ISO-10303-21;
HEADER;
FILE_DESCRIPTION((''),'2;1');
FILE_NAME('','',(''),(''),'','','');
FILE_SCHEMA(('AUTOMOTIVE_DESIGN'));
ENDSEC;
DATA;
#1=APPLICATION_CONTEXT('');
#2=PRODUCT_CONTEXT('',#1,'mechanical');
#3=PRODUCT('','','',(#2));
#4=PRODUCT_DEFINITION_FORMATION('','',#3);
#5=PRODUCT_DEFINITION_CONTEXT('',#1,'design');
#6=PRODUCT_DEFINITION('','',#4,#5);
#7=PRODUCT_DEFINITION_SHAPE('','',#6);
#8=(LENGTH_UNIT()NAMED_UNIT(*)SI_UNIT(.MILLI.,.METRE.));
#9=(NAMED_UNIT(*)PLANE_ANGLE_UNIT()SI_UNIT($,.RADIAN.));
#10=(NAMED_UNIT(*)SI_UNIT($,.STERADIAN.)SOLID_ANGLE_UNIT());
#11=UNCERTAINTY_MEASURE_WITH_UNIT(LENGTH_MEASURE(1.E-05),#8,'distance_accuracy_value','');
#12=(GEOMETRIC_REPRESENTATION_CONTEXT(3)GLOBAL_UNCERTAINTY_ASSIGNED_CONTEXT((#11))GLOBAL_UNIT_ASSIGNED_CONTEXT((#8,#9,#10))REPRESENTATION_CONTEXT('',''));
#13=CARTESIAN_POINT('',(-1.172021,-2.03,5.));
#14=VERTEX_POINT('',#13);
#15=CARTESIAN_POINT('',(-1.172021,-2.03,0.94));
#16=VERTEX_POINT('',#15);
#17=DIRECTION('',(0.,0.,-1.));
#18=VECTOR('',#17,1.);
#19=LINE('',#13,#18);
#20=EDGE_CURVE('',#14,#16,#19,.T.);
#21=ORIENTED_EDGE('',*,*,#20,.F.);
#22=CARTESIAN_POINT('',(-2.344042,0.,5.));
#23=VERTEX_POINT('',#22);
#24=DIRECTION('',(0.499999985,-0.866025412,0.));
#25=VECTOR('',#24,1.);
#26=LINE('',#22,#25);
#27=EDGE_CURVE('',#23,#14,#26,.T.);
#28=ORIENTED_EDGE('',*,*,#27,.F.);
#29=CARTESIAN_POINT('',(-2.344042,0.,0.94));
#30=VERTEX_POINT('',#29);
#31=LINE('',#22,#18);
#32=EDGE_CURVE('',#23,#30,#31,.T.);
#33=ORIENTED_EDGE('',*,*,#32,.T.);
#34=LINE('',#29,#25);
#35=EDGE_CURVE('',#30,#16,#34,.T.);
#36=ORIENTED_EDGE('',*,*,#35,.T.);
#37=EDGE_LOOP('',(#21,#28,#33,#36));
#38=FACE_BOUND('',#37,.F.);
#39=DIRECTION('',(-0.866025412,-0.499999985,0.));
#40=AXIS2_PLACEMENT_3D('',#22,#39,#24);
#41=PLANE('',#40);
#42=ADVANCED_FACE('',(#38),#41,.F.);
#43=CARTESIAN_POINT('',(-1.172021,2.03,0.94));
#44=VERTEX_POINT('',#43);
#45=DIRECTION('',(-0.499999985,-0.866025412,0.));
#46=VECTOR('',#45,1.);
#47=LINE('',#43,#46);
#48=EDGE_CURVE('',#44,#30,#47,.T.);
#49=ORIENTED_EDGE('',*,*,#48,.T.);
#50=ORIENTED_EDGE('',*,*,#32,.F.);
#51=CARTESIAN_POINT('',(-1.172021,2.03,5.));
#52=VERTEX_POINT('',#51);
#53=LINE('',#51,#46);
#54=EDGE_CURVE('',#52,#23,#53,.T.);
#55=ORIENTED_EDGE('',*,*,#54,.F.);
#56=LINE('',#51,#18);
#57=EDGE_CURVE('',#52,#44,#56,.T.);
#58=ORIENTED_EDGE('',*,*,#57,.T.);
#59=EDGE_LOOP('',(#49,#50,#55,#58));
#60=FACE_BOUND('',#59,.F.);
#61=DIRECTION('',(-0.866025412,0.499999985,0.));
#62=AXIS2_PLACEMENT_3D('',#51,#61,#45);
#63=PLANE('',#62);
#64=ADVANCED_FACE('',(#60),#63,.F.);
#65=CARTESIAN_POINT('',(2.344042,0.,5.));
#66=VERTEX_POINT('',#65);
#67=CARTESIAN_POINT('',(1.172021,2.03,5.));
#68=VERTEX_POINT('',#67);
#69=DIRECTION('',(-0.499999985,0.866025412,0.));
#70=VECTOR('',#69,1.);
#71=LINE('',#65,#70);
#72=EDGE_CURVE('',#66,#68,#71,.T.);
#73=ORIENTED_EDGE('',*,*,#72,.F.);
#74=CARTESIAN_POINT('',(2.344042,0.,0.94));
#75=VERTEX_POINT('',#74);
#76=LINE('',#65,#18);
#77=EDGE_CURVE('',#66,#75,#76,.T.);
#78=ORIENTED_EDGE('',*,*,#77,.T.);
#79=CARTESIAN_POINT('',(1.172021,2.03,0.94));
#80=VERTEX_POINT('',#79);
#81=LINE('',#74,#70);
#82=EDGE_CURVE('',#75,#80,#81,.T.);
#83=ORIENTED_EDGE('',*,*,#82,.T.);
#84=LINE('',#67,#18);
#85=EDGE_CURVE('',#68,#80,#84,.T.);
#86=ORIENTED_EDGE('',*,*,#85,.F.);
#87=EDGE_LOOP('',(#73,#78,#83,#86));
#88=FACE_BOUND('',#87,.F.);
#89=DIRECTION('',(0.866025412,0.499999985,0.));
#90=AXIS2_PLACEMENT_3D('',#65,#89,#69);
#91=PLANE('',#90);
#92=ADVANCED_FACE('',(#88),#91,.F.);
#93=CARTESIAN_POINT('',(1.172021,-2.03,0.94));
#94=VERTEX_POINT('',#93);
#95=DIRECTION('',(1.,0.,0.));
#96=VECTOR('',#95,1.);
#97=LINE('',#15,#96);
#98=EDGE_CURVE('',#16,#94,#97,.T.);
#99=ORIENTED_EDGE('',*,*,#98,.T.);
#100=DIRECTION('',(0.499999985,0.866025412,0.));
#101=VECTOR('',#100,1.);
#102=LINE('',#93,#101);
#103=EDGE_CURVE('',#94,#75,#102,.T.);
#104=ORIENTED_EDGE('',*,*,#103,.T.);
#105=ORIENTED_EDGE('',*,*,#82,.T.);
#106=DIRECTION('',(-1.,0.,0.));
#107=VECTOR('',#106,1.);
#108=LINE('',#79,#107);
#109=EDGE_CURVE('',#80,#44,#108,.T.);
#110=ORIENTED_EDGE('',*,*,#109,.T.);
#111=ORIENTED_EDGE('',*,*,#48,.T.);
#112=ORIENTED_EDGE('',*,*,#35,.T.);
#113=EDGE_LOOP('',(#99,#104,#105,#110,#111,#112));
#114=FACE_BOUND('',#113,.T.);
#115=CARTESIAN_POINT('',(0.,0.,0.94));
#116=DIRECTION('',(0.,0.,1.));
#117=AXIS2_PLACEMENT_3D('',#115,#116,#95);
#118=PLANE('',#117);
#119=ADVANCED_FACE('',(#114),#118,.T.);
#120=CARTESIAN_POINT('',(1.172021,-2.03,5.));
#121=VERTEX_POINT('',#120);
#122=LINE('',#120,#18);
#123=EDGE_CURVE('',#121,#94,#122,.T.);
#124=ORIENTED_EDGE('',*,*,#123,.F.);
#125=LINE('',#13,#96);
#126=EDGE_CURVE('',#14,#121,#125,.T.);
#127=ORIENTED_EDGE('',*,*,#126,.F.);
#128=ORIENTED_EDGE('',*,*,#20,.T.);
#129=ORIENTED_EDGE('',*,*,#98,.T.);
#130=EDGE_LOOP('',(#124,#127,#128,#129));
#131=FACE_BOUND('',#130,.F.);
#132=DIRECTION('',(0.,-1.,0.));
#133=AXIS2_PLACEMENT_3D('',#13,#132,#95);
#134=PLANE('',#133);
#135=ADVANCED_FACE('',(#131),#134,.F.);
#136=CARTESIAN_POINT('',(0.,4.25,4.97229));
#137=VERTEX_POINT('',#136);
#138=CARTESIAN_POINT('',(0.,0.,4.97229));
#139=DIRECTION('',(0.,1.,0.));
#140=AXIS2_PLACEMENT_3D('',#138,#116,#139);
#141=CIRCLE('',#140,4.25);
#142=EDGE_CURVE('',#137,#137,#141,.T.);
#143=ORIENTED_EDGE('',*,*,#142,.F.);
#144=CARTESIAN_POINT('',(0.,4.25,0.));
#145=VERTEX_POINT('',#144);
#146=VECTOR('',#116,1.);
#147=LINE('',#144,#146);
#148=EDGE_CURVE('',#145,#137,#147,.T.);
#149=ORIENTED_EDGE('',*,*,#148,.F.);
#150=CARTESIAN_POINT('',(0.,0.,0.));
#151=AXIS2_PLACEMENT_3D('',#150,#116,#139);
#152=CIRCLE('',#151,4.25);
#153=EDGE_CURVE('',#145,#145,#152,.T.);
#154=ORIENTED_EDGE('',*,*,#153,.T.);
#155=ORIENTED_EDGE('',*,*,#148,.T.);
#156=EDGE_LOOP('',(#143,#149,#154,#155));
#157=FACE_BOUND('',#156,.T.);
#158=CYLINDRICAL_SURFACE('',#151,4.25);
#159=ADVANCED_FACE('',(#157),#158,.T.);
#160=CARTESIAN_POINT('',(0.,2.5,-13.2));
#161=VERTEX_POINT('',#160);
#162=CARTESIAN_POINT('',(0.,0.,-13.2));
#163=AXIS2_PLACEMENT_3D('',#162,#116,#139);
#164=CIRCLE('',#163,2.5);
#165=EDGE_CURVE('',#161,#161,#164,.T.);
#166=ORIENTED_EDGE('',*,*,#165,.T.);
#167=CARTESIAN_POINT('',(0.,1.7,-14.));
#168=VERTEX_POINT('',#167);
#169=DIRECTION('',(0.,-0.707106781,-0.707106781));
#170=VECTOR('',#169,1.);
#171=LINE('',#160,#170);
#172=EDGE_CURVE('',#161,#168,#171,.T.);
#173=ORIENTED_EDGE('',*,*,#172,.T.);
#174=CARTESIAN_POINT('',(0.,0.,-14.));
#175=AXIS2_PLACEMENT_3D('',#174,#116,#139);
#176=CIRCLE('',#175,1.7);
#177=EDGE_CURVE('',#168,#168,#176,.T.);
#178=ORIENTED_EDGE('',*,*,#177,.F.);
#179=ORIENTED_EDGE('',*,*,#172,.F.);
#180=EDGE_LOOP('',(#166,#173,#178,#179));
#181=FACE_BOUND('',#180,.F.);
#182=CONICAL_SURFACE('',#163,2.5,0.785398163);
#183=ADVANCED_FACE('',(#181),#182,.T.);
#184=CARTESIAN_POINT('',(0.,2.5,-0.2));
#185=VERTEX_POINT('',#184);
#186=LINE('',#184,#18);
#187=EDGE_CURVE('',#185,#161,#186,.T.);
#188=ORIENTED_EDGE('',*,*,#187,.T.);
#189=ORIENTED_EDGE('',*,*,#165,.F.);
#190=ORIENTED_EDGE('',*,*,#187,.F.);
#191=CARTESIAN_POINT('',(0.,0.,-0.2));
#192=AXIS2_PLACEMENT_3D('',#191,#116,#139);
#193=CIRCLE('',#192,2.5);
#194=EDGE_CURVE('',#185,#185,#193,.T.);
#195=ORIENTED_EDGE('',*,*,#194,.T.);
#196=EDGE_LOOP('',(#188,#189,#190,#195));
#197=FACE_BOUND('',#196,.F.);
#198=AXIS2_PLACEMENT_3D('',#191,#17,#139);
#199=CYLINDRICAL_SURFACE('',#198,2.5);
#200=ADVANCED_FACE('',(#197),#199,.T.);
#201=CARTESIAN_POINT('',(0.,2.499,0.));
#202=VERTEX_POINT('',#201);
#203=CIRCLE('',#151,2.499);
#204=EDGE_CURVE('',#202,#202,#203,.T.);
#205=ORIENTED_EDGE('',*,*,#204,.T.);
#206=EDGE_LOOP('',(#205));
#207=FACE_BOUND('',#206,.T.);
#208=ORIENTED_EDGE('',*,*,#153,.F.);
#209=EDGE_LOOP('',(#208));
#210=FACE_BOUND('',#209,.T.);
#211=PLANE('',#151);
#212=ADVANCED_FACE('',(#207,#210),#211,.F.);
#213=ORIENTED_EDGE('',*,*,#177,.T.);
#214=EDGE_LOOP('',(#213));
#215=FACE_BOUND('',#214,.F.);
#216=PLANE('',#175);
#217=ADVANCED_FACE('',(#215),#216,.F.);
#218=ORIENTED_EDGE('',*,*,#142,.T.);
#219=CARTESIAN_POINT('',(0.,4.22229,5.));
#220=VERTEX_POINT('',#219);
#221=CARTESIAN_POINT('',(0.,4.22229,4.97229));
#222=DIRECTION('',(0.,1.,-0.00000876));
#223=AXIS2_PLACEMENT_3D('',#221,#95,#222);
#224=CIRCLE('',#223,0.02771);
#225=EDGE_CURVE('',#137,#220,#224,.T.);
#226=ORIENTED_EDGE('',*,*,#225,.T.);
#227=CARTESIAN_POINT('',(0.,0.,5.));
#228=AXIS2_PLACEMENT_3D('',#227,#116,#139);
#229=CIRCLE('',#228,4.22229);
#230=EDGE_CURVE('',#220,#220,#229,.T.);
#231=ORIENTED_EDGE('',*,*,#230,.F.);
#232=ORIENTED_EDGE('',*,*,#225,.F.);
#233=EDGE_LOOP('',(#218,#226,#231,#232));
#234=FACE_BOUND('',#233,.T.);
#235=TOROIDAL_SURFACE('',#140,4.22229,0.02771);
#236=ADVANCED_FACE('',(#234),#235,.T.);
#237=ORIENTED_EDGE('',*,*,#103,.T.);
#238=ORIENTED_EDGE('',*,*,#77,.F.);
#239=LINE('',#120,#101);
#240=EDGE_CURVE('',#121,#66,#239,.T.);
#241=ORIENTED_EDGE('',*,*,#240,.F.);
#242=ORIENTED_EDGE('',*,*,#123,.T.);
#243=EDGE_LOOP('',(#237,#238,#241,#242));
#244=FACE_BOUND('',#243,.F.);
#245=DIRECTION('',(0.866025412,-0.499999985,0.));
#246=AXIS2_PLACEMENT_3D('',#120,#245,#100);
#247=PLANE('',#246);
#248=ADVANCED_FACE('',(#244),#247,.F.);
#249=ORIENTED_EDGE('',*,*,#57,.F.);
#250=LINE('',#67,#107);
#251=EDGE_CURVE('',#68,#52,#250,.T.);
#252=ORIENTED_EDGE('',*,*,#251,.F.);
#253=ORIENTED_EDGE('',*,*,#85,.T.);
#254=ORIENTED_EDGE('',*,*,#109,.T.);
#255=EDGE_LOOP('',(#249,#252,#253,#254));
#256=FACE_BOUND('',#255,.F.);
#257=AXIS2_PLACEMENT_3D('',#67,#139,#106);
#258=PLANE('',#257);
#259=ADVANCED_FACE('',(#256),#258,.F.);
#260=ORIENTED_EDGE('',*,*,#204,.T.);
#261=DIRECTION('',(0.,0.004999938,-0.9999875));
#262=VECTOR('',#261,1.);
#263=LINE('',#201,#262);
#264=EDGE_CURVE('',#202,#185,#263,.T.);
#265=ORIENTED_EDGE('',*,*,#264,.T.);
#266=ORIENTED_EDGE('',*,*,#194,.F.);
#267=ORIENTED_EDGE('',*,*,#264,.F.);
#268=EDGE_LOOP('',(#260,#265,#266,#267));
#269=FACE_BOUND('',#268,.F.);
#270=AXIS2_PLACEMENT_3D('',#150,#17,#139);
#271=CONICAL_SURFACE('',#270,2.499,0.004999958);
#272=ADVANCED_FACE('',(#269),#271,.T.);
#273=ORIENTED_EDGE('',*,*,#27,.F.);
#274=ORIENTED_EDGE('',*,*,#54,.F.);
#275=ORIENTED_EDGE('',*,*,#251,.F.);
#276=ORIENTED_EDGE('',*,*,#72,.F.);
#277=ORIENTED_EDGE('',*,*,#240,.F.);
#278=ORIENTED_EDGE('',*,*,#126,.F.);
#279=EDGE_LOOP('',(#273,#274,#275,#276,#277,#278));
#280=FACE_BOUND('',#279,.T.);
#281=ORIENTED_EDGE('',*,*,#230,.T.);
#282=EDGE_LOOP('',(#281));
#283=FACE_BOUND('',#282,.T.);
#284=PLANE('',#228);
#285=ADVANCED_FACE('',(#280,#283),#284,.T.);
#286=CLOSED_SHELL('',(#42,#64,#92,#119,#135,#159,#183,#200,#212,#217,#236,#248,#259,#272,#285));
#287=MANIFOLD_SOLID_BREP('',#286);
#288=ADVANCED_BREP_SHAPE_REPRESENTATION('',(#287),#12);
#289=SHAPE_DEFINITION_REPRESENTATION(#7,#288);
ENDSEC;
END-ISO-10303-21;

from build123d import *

# Parameters (mm, degrees)
POCKET_DEPTH = 4.06


with BuildPart() as part:
    # Sketch → Revolve (revolve)
    with BuildSketch(Plane.YZ):
        with BuildLine():
            Line((2.499, 0), (4.25, 0))
            Line((4.25, 0), (4.25, 4.97229))
            ThreePointArc((4.25, 4.97229), (4.241884, 4.991884), (4.22229, 5))
            Line((4.22229, 5), (0, 5))
            Line((0, -14), (0, 5))
            Line((1.7, -14), (0, -14))
            Line((2.5, -13.2), (1.7, -14))
            Line((2.5, -0.2), (2.5, -13.2))
            Line((2.499, 0), (2.5, -0.2))
        make_face()
    revolve(axis=Axis((0, 0, 0), (0, 0, 1)))

    # Sketch001 → Pocket (cut)
    with BuildSketch(Plane.XY.offset(5)):
        Polygon((2.344042, 0), (1.172021, 2.03), (-1.172021, 2.03), (-2.344042, 0), (-1.172021, -2.03), (1.172021, -2.03), align=None)
    extrude(amount=-POCKET_DEPTH, mode=Mode.SUBTRACT)


solid = part.part
